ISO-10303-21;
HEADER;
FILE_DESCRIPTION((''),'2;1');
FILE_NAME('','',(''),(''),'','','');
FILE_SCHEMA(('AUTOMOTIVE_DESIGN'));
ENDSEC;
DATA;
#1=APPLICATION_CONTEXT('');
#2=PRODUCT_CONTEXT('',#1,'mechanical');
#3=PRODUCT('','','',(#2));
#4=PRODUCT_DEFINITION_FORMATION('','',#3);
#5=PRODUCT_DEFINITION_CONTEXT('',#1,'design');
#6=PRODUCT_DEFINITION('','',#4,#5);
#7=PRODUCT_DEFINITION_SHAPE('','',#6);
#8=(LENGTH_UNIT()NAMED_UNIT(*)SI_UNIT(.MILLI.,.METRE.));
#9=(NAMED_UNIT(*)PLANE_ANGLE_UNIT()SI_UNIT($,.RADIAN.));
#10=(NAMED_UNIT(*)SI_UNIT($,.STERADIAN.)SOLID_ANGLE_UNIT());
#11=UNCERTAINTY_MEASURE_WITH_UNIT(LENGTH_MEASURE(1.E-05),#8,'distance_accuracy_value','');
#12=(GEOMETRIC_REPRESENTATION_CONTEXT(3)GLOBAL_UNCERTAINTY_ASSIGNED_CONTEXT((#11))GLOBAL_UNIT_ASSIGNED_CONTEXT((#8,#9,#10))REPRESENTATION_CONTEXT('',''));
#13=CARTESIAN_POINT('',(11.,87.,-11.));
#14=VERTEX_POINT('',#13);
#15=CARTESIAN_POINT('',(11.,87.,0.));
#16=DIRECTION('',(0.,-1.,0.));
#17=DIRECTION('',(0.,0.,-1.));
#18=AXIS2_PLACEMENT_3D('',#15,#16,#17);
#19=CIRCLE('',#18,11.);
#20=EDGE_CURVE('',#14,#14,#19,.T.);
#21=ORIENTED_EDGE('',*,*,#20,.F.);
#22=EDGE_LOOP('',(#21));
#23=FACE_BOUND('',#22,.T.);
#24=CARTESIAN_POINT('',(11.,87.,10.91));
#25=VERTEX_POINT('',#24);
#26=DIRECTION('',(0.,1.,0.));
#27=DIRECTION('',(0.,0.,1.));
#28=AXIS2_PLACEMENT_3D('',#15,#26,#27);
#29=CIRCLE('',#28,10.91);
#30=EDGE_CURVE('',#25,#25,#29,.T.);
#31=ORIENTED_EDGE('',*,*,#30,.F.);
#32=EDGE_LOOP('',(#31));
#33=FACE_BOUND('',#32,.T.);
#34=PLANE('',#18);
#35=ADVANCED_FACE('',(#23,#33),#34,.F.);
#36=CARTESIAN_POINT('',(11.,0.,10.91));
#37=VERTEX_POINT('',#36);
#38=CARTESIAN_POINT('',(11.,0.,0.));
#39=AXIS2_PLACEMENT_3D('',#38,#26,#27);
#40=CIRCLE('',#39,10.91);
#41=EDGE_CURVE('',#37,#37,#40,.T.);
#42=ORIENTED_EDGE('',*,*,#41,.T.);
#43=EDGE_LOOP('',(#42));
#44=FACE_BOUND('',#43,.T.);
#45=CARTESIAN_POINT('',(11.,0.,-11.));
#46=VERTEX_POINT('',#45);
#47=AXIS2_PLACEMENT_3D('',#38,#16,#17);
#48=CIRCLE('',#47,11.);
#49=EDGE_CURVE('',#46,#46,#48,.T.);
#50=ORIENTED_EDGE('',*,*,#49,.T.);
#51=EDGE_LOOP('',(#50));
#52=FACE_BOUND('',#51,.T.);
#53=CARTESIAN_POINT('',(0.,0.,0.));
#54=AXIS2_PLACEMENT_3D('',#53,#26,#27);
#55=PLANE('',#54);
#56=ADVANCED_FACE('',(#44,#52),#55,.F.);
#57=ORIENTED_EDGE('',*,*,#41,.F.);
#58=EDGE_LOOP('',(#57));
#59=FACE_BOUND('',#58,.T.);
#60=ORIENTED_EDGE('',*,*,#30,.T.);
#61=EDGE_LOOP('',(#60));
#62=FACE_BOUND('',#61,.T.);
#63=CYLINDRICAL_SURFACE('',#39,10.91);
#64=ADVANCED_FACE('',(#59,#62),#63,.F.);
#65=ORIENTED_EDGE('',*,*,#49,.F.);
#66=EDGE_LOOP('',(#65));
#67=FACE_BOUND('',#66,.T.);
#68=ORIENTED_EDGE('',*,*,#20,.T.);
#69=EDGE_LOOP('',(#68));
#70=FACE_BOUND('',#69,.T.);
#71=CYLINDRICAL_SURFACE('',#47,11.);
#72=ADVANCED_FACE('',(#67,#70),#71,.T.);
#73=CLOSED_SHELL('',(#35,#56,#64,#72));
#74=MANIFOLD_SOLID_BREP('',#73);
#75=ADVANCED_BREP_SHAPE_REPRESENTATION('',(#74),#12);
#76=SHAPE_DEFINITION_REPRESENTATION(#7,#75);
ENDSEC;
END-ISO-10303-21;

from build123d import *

# Parameters (mm, degrees)
SKETCH1_W             = 11
SKETCH1_H             = 87
ESBO_O1_R             = 10.91
CORTE_EXTRUS_O1_DEPTH = 87


with BuildPart() as part:
    # Sketch1 → Revolve4 (revolve)
    with BuildSketch(Plane.XY, mode=Mode.PRIVATE) as revolve4_sk:
        with Locations((5.5, 43.5)):
            Rectangle(SKETCH1_W, SKETCH1_H)
    revolve(revolve4_sk.sketch.rotate(Axis((11, 0, 0), (0, 1, 0)), 270), axis=Axis((11, 0, 0), (0, 1, 0)))

    # Esboço1 → Corte-extrusão1 (cut)
    with BuildSketch(Plane(origin=(0, 87, 0), x_dir=(1, 0, 0), z_dir=(0, 1, 0))):
        with Locations(Location((11, 0, 0), (0, 0, 270))):
            Circle(ESBO_O1_R)
    extrude(amount=-CORTE_EXTRUS_O1_DEPTH, mode=Mode.SUBTRACT)


solid = part.part
